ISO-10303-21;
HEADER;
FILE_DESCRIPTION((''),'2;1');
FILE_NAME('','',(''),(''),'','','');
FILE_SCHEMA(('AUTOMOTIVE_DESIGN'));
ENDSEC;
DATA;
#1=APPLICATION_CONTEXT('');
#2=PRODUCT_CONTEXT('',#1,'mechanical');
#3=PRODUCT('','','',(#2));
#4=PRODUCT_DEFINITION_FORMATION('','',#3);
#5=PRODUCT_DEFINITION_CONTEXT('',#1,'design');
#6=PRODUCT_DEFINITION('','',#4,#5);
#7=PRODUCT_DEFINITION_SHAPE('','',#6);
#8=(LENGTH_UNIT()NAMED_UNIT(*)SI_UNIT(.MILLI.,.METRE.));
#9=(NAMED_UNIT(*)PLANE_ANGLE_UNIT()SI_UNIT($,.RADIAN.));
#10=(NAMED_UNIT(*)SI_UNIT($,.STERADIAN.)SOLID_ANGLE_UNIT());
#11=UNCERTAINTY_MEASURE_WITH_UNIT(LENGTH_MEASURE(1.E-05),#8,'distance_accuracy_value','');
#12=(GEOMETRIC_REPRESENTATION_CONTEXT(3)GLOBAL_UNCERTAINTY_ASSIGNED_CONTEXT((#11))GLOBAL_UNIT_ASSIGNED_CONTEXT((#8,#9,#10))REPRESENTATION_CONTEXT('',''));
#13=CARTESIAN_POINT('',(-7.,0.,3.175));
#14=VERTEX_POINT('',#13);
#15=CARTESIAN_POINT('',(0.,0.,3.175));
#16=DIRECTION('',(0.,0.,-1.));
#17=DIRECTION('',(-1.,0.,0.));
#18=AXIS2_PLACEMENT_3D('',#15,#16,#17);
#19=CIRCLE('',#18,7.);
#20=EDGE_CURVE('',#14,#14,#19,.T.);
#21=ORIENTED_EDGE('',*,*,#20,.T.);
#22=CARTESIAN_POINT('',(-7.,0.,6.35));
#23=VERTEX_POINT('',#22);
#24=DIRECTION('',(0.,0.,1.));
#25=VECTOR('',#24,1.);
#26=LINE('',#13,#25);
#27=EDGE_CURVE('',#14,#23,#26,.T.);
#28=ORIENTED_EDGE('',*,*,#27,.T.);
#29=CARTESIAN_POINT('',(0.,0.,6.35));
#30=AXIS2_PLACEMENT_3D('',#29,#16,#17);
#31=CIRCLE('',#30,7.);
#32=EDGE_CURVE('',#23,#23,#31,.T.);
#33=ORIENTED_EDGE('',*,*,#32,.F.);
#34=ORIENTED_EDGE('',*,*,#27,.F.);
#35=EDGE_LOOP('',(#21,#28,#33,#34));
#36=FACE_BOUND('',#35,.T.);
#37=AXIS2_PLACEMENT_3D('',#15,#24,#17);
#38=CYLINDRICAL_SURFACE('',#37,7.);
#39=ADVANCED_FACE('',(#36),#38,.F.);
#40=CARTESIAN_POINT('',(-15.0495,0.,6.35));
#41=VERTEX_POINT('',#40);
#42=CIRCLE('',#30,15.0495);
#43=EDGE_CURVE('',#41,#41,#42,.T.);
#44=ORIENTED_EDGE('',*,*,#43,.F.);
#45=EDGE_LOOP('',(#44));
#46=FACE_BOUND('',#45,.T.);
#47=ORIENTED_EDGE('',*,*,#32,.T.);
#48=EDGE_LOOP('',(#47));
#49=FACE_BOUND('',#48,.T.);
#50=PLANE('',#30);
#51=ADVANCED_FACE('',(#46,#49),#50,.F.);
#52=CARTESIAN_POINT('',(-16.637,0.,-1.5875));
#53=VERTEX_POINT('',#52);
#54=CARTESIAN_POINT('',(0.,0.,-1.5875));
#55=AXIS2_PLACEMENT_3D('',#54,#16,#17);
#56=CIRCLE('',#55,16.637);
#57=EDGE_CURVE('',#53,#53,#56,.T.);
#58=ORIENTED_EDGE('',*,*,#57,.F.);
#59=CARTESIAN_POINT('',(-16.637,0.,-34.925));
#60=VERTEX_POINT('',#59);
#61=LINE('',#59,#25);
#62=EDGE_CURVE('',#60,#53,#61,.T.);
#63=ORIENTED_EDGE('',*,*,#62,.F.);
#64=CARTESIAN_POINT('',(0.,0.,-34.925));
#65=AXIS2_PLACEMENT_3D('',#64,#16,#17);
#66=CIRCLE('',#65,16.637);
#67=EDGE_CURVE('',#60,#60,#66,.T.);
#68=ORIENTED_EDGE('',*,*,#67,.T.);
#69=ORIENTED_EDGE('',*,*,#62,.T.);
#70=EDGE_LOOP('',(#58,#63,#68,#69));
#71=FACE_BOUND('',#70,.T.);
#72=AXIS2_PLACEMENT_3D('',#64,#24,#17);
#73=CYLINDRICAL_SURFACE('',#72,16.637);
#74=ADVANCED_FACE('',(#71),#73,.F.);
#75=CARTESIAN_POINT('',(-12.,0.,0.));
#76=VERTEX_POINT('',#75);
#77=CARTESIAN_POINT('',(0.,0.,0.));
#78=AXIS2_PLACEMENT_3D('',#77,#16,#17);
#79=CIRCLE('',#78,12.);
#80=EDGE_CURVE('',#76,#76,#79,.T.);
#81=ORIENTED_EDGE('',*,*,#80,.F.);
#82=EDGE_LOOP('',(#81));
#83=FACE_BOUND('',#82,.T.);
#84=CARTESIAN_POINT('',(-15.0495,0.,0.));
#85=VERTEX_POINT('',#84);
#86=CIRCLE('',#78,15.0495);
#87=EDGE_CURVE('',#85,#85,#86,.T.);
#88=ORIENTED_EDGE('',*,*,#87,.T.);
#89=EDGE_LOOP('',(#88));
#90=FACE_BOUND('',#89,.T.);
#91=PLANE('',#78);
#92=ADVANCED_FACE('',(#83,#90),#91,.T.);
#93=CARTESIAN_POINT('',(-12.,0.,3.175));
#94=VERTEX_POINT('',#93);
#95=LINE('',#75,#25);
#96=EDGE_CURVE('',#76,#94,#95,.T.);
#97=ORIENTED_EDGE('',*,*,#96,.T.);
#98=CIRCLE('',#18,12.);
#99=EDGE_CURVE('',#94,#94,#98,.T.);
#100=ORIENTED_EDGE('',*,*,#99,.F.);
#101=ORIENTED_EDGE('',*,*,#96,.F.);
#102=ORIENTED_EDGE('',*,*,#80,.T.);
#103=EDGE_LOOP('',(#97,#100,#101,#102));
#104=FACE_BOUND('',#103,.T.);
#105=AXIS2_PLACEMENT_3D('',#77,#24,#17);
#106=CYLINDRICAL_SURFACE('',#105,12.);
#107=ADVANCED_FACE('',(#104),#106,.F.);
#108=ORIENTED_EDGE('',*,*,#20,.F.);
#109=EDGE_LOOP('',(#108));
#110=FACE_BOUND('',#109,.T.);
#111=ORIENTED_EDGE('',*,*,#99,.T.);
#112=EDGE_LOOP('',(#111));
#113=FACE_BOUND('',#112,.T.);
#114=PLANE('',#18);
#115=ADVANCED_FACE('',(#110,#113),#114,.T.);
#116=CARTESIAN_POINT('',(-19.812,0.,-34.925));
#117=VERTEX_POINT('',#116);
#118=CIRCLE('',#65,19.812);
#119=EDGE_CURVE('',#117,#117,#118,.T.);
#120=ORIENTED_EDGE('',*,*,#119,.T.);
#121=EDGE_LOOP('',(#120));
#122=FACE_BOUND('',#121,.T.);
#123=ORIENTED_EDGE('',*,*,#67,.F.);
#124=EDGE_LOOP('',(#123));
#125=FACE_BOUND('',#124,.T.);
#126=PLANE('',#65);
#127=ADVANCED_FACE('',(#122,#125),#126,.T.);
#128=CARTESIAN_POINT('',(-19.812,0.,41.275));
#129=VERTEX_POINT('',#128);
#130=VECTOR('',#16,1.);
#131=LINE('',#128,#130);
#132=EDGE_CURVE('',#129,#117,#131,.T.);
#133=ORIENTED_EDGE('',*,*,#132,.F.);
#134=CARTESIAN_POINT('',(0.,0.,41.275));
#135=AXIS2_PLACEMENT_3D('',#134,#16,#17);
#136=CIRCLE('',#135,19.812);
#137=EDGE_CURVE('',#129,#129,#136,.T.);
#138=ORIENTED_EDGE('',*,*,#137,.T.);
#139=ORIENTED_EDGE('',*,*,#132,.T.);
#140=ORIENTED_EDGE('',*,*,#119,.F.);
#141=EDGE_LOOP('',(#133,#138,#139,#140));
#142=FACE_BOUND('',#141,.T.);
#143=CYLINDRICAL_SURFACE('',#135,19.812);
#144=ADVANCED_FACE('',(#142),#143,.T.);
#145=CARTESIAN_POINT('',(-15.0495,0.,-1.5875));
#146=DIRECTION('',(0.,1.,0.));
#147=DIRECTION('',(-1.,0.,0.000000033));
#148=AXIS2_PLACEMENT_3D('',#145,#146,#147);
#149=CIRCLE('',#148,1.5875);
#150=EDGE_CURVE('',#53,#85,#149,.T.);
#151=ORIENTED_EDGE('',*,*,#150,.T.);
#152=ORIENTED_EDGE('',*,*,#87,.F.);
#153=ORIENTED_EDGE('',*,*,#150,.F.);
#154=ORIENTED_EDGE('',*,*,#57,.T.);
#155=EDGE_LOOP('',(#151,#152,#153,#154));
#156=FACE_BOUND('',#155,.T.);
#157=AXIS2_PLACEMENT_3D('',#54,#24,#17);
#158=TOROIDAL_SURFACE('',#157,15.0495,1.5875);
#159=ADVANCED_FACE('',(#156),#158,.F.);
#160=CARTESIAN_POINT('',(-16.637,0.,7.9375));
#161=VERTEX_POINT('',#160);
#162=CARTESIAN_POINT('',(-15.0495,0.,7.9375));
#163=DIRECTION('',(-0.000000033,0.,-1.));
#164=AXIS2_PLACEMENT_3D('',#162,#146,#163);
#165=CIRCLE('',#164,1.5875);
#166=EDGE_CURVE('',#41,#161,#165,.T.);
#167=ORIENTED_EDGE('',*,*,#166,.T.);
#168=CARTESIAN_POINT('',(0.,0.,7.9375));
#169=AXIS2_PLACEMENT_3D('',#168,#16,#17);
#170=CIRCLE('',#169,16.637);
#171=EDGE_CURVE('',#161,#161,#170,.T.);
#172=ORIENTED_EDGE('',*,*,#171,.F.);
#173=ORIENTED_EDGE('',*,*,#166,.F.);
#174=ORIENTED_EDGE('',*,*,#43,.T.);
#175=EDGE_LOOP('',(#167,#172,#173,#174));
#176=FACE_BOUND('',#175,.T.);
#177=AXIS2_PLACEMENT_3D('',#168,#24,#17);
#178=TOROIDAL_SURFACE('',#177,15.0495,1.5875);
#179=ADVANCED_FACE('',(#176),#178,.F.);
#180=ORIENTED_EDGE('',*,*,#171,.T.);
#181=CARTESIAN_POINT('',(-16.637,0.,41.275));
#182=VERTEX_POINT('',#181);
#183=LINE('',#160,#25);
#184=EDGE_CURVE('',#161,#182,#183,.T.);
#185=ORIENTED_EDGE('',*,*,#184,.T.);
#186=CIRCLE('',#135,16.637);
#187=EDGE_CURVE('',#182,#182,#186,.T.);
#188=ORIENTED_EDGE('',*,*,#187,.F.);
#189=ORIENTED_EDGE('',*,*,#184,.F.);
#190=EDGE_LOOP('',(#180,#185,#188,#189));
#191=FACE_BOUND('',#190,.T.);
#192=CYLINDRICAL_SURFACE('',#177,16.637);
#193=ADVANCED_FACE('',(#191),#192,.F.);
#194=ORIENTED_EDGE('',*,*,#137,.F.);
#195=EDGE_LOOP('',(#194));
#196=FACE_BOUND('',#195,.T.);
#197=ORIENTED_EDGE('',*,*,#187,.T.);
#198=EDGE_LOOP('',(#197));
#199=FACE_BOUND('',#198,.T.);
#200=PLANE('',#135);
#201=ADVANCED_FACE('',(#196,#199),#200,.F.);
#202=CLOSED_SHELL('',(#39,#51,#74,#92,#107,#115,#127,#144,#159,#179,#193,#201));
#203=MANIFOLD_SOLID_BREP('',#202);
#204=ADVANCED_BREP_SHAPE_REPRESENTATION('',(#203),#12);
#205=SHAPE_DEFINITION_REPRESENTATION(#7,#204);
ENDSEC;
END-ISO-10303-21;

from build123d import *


with BuildPart() as f1:
    # F0 (on Front) → F1 (revolve)
    with BuildSketch(Plane.XZ):
        with BuildLine():
            Line((-16.637, 41.275), (-19.812, 41.275))
            Line((-19.812, 41.275), (-19.812, -34.925))
            Line((-19.812, -34.925), (-16.637, -34.925))
            Line((-16.637, -34.925), (-16.637, -1.5875))
            ThreePointArc((-16.637, -1.5875), (-16.172032, -0.464968), (-15.0495, 0))
            Line((-15.0495, 0), (-12, 0))
            Line((-12, 0), (-12, 3.175))
            Line((-12, 3.175), (-7, 3.175))
            Line((-7, 3.175), (-7, 6.35))
            Line((-7, 6.35), (-15.0495, 6.35))
            ThreePointArc((-15.0495, 6.35), (-16.172032, 6.814968), (-16.637, 7.9375))
            Line((-16.637, 7.9375), (-16.637, 41.275))
        make_face()
    revolve(axis=Axis((0, 0, -3.752202), (0, 0, -1)))


solid = f1.part
